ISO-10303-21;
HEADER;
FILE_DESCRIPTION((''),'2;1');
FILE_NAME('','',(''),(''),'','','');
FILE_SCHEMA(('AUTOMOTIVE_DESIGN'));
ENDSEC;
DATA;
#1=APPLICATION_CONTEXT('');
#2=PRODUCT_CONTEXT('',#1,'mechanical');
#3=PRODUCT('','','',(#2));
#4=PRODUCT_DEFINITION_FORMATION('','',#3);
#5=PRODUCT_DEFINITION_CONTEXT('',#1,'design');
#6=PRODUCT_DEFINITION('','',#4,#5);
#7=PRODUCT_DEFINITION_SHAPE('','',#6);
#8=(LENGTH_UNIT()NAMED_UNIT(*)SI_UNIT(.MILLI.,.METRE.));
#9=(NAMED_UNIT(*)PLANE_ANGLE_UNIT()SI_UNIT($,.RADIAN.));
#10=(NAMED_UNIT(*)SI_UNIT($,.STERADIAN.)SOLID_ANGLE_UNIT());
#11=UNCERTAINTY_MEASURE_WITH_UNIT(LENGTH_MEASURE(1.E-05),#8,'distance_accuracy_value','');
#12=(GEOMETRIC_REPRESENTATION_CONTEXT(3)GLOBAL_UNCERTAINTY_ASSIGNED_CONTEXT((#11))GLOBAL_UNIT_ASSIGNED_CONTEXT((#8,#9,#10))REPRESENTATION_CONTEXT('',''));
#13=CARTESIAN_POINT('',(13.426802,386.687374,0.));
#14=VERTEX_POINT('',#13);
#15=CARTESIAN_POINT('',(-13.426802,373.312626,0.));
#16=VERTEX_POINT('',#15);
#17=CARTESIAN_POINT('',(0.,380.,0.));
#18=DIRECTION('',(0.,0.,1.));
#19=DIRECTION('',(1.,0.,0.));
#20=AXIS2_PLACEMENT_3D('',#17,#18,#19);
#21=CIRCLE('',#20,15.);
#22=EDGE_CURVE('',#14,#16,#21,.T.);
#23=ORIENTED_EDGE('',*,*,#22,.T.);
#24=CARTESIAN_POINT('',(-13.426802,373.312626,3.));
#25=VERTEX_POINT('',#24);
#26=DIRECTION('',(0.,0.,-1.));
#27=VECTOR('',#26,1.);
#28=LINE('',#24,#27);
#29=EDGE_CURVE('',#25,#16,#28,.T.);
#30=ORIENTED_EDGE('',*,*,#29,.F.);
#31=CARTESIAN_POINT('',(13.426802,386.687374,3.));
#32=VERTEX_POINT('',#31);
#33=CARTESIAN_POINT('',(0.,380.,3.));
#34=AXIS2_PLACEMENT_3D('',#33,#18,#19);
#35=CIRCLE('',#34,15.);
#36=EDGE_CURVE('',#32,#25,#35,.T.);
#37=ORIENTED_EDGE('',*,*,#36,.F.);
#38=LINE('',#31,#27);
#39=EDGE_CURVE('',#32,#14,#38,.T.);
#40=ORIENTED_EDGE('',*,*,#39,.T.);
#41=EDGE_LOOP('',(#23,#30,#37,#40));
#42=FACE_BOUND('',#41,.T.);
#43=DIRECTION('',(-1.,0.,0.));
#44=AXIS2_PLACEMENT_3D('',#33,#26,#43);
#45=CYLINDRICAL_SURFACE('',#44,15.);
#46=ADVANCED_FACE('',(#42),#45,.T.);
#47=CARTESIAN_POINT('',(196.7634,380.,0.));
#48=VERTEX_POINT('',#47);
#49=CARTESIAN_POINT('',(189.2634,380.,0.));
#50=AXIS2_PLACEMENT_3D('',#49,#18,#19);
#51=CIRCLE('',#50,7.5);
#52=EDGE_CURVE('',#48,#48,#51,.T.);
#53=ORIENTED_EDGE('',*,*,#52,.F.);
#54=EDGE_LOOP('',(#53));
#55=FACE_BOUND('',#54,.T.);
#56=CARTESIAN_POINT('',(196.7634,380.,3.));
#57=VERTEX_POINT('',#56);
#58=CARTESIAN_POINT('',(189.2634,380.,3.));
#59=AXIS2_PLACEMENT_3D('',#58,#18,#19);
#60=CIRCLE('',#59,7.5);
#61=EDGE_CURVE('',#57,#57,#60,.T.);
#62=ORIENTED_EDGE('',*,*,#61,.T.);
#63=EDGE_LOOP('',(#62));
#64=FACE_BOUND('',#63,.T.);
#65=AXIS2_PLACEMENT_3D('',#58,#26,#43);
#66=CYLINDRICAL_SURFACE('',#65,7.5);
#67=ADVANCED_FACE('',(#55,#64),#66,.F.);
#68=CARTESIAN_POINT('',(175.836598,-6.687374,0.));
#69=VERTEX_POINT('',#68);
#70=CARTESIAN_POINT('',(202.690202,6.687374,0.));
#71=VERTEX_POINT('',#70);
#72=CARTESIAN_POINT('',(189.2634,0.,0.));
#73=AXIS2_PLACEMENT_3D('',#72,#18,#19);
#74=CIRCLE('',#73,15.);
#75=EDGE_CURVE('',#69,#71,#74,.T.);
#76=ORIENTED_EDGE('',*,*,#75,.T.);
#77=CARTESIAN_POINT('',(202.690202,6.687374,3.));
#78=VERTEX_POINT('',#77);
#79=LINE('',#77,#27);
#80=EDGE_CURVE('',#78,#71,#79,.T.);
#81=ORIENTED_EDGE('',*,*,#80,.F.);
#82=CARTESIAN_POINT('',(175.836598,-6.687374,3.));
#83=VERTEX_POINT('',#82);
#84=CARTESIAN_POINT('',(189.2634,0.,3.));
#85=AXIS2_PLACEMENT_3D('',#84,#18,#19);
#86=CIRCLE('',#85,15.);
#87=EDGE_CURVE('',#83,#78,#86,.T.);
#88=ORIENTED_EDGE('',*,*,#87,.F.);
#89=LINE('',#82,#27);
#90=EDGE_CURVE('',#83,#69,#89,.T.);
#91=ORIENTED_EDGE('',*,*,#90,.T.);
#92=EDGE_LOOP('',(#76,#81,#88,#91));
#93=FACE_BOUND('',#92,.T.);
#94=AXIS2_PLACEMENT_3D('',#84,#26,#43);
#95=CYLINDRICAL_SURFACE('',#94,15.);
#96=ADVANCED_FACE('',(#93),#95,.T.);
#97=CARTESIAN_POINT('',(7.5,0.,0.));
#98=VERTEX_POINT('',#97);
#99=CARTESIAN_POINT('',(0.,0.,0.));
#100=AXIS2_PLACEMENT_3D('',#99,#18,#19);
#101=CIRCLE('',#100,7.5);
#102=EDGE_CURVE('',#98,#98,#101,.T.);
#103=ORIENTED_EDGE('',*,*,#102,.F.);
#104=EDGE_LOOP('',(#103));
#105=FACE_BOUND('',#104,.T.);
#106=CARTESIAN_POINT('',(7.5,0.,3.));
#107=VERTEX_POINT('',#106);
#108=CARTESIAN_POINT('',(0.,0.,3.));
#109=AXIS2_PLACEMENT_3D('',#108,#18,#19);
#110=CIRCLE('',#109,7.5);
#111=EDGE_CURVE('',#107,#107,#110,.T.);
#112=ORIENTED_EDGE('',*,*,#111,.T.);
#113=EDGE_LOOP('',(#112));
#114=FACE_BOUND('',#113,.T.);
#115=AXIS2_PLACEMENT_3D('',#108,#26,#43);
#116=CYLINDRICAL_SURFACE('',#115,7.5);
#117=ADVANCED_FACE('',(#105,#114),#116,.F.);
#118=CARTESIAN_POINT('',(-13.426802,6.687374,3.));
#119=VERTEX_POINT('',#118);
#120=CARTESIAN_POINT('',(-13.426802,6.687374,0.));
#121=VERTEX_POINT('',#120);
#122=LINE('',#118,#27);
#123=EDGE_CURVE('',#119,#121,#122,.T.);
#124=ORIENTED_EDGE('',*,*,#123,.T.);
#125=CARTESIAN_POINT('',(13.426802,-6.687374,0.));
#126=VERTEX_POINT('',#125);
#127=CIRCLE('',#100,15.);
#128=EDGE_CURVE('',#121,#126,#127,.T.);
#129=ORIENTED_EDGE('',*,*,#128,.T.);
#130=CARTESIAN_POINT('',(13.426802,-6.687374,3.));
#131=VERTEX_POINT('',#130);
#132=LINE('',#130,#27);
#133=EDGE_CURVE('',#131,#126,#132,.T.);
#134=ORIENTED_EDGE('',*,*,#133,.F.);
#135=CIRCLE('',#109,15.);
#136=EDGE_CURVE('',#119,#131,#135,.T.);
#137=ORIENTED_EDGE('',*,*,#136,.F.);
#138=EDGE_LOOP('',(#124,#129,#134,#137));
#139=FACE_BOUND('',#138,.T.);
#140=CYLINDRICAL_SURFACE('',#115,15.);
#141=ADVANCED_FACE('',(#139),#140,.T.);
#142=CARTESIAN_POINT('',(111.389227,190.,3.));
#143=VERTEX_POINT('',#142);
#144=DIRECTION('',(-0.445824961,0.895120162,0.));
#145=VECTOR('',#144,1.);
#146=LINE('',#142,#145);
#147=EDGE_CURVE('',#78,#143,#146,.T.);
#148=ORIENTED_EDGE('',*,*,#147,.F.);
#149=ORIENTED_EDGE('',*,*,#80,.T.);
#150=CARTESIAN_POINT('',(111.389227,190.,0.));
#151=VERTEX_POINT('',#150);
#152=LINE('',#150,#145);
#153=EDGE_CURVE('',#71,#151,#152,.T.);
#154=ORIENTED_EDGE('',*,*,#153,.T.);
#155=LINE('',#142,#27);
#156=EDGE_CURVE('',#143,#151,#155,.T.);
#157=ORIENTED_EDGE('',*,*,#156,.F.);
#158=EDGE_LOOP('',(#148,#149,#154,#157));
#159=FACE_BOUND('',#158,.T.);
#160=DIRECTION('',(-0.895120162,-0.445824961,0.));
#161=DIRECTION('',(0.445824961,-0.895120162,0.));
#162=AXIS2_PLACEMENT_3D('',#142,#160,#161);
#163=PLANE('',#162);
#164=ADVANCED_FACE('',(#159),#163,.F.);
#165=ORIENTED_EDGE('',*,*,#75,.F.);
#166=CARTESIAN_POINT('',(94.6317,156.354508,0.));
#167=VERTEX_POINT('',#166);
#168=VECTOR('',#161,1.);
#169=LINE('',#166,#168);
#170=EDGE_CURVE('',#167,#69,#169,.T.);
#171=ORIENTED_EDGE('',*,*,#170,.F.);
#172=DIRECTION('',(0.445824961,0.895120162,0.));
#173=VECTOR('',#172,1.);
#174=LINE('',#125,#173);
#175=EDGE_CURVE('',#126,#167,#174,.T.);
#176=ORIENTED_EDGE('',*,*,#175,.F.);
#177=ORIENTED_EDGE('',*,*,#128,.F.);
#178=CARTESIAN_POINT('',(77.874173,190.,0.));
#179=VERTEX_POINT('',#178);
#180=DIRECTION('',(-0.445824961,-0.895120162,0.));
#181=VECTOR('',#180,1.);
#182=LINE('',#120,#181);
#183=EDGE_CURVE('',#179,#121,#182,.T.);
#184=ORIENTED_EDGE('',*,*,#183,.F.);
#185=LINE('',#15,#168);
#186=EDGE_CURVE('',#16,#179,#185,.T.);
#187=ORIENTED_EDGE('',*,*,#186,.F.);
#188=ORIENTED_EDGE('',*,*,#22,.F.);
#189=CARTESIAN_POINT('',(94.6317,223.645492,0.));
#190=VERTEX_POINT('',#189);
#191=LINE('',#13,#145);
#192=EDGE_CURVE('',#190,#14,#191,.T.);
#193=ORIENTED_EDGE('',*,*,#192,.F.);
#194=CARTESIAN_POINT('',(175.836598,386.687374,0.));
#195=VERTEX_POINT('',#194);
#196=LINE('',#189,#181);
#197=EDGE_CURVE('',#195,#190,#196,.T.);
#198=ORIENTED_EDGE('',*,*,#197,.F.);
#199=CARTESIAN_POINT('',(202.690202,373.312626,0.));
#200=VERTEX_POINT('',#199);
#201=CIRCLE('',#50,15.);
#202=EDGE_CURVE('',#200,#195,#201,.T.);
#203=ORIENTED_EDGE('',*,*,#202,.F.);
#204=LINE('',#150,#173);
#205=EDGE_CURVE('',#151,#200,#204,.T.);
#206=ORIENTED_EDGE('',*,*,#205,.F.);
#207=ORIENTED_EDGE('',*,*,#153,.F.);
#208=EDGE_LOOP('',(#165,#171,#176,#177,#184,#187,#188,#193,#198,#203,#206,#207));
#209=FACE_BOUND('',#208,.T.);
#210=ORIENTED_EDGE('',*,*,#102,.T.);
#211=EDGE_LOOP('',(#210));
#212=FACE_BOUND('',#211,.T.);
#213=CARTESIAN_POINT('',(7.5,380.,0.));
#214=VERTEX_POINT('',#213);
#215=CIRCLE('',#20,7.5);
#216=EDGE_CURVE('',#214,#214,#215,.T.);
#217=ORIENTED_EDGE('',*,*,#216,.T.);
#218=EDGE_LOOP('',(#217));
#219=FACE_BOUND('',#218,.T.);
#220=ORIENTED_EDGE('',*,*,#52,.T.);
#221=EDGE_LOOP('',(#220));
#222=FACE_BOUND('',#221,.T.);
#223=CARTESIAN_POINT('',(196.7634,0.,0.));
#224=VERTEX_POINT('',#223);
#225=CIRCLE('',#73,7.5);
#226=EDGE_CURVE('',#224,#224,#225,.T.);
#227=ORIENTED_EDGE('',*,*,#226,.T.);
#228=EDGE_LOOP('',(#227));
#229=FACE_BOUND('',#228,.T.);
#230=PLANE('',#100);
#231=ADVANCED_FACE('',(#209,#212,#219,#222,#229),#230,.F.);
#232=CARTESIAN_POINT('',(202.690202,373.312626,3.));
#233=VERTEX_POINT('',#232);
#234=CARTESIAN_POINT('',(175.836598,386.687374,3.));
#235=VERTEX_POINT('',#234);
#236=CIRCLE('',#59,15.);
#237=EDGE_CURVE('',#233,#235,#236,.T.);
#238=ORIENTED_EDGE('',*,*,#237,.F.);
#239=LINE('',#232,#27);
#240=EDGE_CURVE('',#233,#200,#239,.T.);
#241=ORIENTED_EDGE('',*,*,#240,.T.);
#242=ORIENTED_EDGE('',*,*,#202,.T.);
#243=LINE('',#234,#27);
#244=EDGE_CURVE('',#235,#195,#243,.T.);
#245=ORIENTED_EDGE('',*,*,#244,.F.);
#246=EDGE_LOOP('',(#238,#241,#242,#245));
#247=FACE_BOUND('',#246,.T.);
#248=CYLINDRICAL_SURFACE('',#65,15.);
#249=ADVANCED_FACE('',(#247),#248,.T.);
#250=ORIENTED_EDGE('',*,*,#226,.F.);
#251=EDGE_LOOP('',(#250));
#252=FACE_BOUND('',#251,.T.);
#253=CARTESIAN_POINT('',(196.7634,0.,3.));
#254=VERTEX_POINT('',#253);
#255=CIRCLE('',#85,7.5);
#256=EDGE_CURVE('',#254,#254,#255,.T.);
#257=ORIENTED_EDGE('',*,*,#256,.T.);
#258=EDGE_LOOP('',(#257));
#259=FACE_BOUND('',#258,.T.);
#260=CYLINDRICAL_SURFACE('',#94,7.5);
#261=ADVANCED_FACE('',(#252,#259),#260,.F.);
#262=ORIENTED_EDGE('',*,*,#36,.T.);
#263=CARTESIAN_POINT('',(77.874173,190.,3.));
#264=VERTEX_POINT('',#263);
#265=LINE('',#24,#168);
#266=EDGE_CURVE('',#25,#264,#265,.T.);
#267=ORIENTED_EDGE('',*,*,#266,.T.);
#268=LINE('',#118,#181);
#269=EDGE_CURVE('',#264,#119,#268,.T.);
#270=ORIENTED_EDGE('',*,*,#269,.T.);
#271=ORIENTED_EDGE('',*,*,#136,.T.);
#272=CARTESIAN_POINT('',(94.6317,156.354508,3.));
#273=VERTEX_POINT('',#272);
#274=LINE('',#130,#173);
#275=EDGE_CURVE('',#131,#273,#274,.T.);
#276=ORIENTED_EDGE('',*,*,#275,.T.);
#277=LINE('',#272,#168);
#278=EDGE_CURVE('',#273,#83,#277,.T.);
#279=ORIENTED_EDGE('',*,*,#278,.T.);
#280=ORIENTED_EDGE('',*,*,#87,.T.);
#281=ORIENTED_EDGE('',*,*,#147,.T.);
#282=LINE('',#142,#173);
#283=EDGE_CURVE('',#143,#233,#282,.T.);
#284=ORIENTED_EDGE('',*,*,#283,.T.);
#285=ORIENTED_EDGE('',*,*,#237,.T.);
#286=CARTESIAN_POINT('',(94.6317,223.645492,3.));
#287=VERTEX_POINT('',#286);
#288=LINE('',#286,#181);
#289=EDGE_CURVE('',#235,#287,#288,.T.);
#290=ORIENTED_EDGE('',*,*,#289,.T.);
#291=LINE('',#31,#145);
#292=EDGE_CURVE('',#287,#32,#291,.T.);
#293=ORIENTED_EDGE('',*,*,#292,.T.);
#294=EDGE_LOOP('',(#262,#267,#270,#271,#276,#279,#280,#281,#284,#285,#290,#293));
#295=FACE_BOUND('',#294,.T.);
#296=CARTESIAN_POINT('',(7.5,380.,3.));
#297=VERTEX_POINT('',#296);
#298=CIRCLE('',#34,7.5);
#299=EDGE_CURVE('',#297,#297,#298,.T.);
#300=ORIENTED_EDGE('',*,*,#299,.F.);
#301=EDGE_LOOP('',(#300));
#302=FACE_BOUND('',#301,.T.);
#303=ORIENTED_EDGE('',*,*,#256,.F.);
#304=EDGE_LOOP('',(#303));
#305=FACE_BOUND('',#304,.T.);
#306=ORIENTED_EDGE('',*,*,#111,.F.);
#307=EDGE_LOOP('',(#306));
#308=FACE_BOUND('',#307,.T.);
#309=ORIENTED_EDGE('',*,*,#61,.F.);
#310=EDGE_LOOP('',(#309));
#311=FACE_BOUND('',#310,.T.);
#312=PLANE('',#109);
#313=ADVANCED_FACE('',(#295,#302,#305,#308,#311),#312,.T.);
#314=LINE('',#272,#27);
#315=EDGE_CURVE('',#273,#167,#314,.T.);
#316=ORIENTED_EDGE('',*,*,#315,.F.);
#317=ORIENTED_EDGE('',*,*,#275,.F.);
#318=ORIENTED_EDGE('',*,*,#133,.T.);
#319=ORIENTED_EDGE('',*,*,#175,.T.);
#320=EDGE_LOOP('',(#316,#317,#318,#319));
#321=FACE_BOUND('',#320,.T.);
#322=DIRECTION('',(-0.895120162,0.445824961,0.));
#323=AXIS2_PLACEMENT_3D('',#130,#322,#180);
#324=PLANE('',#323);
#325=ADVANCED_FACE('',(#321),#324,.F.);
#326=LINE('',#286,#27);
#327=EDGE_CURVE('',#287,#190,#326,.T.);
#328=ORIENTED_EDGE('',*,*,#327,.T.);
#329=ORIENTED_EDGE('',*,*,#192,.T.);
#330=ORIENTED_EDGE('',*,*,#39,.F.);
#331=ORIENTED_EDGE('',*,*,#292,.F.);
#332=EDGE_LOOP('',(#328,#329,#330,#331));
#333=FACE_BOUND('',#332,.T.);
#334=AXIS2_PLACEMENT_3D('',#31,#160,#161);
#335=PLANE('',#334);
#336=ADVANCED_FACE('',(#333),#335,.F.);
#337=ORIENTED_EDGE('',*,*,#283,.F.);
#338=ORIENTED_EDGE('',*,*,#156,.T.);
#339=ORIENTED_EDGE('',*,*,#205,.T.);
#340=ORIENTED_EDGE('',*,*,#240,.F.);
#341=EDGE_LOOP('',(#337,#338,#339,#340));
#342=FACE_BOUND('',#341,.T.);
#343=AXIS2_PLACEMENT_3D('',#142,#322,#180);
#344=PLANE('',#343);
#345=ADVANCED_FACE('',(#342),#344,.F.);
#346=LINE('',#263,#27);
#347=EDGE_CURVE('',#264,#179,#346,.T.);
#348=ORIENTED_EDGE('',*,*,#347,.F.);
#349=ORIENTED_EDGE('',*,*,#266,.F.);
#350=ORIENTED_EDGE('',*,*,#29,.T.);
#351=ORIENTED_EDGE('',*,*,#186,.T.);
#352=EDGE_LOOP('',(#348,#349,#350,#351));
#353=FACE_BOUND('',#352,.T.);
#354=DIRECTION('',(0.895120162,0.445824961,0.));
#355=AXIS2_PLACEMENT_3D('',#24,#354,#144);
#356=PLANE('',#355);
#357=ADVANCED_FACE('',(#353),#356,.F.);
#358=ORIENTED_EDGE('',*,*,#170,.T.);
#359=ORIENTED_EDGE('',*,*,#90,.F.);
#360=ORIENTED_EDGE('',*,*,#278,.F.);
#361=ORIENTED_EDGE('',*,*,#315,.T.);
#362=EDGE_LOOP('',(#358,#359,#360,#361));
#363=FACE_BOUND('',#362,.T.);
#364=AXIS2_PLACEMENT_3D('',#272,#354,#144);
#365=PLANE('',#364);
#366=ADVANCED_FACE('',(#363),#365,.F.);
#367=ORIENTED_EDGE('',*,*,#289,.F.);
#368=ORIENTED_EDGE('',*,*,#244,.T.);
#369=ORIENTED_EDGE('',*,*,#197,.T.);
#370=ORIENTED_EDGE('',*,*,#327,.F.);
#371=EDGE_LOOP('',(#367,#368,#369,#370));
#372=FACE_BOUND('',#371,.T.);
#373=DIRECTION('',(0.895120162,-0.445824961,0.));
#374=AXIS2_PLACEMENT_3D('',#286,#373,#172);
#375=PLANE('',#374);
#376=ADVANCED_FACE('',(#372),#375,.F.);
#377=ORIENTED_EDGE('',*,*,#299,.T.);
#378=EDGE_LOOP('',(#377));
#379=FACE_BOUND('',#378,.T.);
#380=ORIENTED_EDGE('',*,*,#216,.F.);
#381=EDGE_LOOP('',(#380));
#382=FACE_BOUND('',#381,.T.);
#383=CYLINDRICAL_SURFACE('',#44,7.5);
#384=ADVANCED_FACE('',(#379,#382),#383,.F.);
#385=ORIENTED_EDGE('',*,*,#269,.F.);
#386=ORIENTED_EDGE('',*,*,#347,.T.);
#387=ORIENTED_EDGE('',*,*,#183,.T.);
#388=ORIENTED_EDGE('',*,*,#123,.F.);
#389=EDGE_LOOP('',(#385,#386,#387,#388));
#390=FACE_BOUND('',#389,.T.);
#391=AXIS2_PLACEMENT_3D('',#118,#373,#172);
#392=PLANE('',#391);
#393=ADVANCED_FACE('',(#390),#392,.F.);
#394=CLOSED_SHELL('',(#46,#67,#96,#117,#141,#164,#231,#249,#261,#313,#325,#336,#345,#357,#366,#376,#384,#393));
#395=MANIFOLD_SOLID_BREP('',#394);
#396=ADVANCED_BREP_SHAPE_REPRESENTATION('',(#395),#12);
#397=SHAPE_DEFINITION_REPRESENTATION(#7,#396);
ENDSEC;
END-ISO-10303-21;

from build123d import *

# Parameters (mm, degrees)
SKETCH_2_R      = 7.5
EXTRUDE_1_DEPTH = 3


with BuildPart() as part:
    # 草图2 → 凸台-拉伸1 (new body)
    with BuildSketch(Plane.XY):
        with BuildLine():
            Line((-13.426802427, 6.687374417), (77.874173312, 190))
            Line((77.874173312, 190), (-13.426802427, 373.312625583))
            ThreePointArc((-13.426802427, 373.312625583), (-6.687374417, 393.426802427), (13.426802427, 386.687374417))
            Line((13.426802427, 386.687374417), (94.6317, 223.645491634))
            Line((94.6317, 223.645491634), (175.836597573, 386.687374417))
            ThreePointArc((175.836597573, 386.687374417), (195.950774417, 393.426802427), (202.690202427, 373.312625583))
            Line((202.690202427, 373.312625583), (111.389226688, 190))
            Line((111.389226688, 190), (202.690202427, 6.687374417))
            ThreePointArc((202.690202427, 6.687374417), (195.950774417, -13.426802427), (175.836597573, -6.687374417))
            Line((175.836597573, -6.687374417), (94.6317, 156.354508366))
            Line((94.6317, 156.354508366), (13.426802427, -6.687374417))
            ThreePointArc((13.426802427, -6.687374417), (-6.687374417, -13.426802427), (-13.426802427, 6.687374417))
        make_face()
        Circle(SKETCH_2_R, mode=Mode.SUBTRACT)
        with Locations((189.2634, 380)):
            Circle(SKETCH_2_R, mode=Mode.SUBTRACT)
        with Locations((189.2634, 0)):
            Circle(SKETCH_2_R, mode=Mode.SUBTRACT)
        with Locations((0, 380)):
            Circle(SKETCH_2_R, mode=Mode.SUBTRACT)
    extrude(amount=EXTRUDE_1_DEPTH)


solid = part.part
